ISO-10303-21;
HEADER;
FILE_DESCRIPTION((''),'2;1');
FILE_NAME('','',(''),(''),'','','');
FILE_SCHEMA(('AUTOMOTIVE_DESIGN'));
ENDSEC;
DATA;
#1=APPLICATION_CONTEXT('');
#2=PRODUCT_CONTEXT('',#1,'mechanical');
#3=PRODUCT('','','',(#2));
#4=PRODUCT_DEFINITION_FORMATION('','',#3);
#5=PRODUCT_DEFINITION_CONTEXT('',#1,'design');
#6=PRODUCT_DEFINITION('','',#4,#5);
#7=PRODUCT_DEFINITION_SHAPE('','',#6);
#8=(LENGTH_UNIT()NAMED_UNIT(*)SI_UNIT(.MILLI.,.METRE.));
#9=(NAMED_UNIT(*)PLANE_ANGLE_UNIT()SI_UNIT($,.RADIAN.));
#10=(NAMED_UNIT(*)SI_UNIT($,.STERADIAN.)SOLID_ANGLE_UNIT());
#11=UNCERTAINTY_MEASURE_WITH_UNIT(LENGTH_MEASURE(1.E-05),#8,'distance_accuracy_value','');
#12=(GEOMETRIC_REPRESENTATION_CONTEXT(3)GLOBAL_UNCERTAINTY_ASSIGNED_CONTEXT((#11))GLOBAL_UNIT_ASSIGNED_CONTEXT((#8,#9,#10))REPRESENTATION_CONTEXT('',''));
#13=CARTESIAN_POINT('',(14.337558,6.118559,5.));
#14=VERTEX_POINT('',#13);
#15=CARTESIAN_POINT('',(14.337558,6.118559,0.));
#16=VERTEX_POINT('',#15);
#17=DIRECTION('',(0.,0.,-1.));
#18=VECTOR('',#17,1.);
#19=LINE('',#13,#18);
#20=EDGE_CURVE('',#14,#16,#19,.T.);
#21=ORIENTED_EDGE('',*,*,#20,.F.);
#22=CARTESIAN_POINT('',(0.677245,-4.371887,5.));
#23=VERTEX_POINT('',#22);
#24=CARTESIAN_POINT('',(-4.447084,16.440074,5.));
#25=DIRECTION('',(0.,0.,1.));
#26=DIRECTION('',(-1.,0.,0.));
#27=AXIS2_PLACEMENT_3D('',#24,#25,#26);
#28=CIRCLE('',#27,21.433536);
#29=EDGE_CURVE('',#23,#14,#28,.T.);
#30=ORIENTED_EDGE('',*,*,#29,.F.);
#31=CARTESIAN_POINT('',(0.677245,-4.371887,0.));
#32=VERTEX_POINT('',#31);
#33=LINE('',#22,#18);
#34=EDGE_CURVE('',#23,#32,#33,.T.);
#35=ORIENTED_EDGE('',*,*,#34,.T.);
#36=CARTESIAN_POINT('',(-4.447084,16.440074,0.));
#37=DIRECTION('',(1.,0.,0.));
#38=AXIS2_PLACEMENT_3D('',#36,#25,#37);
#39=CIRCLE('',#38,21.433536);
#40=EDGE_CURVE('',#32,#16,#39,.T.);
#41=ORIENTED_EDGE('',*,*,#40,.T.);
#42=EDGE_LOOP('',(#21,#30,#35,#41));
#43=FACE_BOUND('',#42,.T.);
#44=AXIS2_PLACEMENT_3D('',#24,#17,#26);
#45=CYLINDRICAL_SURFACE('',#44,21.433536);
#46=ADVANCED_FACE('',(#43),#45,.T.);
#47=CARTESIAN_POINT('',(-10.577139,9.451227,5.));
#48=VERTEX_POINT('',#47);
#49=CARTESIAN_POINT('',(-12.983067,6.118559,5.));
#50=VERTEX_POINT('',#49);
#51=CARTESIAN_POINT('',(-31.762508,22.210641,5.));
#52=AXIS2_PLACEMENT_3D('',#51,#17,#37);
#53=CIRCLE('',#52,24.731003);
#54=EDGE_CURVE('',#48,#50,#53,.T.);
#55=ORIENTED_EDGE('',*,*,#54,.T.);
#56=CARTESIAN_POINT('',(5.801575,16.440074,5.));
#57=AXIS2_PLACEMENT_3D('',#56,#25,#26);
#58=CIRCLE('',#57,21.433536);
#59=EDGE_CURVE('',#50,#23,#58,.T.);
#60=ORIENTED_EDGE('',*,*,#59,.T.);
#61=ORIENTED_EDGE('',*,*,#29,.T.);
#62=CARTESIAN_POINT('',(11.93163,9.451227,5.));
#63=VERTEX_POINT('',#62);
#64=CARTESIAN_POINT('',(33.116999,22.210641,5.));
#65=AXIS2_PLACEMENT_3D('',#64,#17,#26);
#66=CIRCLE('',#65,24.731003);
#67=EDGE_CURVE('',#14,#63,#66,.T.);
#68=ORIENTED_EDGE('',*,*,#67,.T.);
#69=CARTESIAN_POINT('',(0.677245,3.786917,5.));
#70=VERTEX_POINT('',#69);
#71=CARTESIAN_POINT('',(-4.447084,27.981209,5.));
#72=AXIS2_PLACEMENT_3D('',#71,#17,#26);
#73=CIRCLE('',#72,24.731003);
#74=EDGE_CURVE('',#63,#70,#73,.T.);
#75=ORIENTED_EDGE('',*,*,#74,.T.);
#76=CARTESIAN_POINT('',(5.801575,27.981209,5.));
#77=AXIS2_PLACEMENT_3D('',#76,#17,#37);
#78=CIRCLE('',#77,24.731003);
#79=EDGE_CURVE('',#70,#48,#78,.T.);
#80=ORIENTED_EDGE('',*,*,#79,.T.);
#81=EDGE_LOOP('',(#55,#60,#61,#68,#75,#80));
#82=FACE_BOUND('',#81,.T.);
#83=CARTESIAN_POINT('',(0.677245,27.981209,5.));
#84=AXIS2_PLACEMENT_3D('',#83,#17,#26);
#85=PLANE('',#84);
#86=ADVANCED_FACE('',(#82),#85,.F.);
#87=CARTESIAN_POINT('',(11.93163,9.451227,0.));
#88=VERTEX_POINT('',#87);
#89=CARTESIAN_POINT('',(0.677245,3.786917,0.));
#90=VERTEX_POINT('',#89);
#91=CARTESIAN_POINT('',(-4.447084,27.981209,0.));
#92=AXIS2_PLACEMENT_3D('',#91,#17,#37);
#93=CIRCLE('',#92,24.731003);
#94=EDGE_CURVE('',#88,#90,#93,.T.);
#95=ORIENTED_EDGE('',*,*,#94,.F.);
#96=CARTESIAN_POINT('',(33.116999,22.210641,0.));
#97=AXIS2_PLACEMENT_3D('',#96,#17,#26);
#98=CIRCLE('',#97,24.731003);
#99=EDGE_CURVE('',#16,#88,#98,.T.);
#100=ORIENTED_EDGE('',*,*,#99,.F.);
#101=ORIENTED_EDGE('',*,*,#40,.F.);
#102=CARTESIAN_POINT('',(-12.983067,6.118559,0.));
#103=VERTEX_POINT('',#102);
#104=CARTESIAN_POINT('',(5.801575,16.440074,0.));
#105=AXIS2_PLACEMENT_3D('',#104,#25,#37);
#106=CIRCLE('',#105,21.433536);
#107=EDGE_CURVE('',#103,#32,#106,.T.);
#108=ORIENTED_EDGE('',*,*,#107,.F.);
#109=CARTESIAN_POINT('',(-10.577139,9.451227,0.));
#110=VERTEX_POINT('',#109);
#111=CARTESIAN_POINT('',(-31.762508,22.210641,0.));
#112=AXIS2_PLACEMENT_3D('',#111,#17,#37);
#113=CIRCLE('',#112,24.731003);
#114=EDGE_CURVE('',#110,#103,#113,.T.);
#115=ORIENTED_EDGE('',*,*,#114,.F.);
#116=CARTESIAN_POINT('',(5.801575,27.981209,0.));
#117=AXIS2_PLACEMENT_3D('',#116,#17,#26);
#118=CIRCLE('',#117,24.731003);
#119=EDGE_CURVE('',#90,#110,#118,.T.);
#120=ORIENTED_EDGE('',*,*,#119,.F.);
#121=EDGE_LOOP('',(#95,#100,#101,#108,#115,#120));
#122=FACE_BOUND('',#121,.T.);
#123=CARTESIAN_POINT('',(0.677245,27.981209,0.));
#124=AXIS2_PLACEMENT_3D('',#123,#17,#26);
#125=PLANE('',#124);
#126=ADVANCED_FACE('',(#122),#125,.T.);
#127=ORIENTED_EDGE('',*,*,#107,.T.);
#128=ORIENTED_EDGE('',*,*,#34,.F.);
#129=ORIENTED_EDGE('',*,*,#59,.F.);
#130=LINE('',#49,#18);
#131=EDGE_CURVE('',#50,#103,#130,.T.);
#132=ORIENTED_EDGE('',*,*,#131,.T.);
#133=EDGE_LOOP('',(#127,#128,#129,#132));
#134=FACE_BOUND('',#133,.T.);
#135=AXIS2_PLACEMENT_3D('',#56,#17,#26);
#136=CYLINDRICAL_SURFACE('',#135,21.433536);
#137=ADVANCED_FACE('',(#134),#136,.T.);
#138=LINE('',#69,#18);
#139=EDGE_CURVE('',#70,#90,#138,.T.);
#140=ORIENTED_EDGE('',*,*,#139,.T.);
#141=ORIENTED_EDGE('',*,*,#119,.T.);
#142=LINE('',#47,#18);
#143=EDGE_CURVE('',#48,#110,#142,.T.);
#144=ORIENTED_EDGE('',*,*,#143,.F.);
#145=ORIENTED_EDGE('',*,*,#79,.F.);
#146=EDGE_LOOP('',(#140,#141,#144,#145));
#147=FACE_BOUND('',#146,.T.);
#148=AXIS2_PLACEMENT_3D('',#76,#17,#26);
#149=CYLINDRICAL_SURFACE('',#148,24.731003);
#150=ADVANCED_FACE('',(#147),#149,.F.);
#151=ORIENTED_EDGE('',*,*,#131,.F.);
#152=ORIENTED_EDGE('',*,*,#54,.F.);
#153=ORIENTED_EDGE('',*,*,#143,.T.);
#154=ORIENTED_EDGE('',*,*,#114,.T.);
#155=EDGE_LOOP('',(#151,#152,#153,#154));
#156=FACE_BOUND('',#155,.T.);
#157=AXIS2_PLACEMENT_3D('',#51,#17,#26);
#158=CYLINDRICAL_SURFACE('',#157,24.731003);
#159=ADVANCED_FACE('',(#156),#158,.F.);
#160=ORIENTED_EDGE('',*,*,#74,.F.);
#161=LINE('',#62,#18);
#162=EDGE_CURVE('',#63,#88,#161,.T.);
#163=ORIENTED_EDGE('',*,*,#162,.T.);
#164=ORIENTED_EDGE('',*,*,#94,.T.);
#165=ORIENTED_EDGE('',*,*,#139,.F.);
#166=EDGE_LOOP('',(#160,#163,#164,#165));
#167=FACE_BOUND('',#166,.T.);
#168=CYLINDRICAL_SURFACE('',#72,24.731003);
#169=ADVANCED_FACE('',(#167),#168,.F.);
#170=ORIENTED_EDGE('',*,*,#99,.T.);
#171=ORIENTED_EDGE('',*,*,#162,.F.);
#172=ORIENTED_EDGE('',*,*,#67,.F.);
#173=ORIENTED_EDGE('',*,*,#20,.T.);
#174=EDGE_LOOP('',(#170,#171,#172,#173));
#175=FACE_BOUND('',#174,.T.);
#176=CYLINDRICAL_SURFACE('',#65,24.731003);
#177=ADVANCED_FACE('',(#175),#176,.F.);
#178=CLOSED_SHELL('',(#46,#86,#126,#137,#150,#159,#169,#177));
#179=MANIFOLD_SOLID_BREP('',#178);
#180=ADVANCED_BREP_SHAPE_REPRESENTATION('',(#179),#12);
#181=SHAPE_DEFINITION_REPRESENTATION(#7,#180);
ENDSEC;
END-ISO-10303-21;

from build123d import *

# Parameters (mm, degrees)
BOSS_EXTRUDE1_DEPTH = 5


with BuildPart() as part:
    # Sketch1 → Boss-Extrude1 (new body)
    with BuildSketch(Plane.XY):
        with BuildLine():
            ThreePointArc((-12.983067388, 6.118559097), (-11.710745891, 7.734822311), (-10.577139347, 9.451226975))
            ThreePointArc((-10.577139347, 9.451226975), (-9.313293399, 8.406652262), (-7.983008658, 7.448119311))
            ThreePointArc((-7.983008658, 7.448119311), (-3.828474377, 5.202168871), (0.677245379, 3.78691697))
            ThreePointArc((0.677245379, 3.78691697), (5.182965136, 5.202168871), (9.337499417, 7.448119311))
            ThreePointArc((9.337499417, 7.448119311), (10.667784158, 8.406652262), (11.931630106, 9.451226975))
            ThreePointArc((11.931630106, 9.451226975), (13.065236649, 7.734822311), (14.337558146, 6.118559097))
            ThreePointArc((14.337558146, 6.118559097), (12.119892503, 2.841112967), (9.337499417, 0.027221931))
            ThreePointArc((9.337499417, 0.027221931), (5.25986118, -2.66939146), (0.677245379, -4.37188663))
            ThreePointArc((0.677245379, -4.37188663), (-3.905370421, -2.66939146), (-7.983008658, 0.027221931))
            ThreePointArc((-7.983008658, 0.027221931), (-10.765401744, 2.841112967), (-12.983067388, 6.118559097))
        make_face()
    extrude(amount=BOSS_EXTRUDE1_DEPTH)


solid = part.part
